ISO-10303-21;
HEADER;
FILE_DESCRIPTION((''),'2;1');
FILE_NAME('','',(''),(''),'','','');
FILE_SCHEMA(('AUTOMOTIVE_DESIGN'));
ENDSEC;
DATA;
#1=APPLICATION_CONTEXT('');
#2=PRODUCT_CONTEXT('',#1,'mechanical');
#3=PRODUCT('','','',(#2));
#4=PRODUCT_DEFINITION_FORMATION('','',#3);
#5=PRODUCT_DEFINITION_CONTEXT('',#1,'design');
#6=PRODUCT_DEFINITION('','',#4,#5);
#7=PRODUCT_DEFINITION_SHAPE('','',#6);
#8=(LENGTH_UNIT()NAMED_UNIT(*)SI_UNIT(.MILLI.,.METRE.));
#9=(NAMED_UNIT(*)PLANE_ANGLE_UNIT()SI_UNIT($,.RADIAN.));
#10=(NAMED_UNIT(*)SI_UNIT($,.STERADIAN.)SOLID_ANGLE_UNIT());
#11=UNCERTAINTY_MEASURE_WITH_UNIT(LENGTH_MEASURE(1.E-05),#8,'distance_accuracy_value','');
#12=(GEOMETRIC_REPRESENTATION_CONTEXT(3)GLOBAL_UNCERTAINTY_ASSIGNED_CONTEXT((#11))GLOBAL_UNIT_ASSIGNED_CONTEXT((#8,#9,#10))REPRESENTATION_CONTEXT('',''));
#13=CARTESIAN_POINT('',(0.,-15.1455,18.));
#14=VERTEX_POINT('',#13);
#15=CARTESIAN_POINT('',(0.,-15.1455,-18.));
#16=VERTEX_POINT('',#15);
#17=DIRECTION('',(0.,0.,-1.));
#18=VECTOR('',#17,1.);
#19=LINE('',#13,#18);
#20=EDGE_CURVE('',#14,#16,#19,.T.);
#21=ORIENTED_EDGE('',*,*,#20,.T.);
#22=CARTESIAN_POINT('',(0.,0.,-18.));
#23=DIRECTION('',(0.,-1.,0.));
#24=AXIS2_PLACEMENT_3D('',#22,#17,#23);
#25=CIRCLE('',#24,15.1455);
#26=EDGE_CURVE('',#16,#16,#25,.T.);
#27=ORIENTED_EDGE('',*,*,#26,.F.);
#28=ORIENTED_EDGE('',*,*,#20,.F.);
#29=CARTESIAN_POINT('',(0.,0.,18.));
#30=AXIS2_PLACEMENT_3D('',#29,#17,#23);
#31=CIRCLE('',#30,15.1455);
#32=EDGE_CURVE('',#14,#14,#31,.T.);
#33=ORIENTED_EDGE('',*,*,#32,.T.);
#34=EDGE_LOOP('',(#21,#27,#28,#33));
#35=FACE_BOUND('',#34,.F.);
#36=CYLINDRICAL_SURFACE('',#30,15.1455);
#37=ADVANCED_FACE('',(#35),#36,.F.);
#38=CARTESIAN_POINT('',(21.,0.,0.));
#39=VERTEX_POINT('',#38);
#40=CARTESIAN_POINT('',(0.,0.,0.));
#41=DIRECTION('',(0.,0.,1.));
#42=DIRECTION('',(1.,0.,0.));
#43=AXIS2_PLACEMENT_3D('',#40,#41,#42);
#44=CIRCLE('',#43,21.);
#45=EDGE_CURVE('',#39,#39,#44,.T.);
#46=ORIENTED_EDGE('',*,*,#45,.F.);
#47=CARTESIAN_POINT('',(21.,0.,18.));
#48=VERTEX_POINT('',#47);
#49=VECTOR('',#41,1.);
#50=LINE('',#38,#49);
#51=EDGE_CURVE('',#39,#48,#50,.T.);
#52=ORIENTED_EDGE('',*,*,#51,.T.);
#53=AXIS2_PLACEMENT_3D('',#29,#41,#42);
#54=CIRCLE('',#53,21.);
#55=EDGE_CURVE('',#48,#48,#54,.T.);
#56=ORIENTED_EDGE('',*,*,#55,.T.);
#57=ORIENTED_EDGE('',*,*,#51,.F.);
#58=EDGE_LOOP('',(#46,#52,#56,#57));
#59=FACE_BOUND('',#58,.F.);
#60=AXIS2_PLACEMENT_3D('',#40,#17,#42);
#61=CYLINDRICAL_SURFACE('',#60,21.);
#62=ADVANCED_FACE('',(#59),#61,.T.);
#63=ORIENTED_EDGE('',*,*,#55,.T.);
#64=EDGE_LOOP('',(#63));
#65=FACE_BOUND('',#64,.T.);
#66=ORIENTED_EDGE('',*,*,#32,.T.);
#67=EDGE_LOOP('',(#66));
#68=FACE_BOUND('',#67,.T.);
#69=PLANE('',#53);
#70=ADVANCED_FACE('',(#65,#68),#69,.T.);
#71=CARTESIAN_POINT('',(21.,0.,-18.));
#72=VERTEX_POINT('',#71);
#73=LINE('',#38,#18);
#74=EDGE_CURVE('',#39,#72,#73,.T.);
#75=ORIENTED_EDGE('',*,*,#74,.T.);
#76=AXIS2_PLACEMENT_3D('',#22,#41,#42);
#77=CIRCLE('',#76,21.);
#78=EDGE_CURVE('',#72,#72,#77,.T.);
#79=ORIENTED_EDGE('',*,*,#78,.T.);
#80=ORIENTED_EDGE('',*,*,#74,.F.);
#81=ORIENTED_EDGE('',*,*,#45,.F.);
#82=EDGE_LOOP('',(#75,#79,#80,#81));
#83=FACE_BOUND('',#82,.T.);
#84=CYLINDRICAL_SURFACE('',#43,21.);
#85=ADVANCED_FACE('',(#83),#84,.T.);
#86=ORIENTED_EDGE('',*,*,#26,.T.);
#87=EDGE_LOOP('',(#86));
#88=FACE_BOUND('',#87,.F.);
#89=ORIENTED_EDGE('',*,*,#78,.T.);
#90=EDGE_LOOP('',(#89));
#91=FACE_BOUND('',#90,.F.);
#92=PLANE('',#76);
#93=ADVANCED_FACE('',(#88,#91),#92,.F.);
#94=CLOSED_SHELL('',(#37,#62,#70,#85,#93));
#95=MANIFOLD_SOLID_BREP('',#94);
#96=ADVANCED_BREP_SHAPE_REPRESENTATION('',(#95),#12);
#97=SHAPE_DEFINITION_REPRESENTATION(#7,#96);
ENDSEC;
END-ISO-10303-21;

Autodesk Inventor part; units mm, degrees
ref_plane "YZ Plane" through (0, 0, 0) normal (1, 0, 0) x (0, 1, 0)
ref_plane "XZ Plane" through (0, 0, 0) normal (0, 1, 0) x (-1, 0, 0)
ref_plane "XY Plane" through (0, 0, 0) normal (0, 0, 1) x (1, 0, 0)
sketch "Sketch1" plane through (0, 0, 0) normal (0, 0, 1) x (1, 0, 0)
  circle A0 centre (0, 0) radius 21
  dimension "d0" = 42
extrude "Extrusion1" add sketch "Sketch1" along normal mid plane 36
sketch "Sketch2" plane through (0, 0, 18) normal (0, 0, 1) x (1, 0, 0)
  point P0 (0, 0)
  point P1 (0, 0)
hole "Hole1" at (0, 0, 18) direction (0, 0, -1) diameter 30.291 end through all thread size "G33.249x2.309" designation "G 1" standard "ISO Pipe Threads"
properties part number "Fitting G1.5"
